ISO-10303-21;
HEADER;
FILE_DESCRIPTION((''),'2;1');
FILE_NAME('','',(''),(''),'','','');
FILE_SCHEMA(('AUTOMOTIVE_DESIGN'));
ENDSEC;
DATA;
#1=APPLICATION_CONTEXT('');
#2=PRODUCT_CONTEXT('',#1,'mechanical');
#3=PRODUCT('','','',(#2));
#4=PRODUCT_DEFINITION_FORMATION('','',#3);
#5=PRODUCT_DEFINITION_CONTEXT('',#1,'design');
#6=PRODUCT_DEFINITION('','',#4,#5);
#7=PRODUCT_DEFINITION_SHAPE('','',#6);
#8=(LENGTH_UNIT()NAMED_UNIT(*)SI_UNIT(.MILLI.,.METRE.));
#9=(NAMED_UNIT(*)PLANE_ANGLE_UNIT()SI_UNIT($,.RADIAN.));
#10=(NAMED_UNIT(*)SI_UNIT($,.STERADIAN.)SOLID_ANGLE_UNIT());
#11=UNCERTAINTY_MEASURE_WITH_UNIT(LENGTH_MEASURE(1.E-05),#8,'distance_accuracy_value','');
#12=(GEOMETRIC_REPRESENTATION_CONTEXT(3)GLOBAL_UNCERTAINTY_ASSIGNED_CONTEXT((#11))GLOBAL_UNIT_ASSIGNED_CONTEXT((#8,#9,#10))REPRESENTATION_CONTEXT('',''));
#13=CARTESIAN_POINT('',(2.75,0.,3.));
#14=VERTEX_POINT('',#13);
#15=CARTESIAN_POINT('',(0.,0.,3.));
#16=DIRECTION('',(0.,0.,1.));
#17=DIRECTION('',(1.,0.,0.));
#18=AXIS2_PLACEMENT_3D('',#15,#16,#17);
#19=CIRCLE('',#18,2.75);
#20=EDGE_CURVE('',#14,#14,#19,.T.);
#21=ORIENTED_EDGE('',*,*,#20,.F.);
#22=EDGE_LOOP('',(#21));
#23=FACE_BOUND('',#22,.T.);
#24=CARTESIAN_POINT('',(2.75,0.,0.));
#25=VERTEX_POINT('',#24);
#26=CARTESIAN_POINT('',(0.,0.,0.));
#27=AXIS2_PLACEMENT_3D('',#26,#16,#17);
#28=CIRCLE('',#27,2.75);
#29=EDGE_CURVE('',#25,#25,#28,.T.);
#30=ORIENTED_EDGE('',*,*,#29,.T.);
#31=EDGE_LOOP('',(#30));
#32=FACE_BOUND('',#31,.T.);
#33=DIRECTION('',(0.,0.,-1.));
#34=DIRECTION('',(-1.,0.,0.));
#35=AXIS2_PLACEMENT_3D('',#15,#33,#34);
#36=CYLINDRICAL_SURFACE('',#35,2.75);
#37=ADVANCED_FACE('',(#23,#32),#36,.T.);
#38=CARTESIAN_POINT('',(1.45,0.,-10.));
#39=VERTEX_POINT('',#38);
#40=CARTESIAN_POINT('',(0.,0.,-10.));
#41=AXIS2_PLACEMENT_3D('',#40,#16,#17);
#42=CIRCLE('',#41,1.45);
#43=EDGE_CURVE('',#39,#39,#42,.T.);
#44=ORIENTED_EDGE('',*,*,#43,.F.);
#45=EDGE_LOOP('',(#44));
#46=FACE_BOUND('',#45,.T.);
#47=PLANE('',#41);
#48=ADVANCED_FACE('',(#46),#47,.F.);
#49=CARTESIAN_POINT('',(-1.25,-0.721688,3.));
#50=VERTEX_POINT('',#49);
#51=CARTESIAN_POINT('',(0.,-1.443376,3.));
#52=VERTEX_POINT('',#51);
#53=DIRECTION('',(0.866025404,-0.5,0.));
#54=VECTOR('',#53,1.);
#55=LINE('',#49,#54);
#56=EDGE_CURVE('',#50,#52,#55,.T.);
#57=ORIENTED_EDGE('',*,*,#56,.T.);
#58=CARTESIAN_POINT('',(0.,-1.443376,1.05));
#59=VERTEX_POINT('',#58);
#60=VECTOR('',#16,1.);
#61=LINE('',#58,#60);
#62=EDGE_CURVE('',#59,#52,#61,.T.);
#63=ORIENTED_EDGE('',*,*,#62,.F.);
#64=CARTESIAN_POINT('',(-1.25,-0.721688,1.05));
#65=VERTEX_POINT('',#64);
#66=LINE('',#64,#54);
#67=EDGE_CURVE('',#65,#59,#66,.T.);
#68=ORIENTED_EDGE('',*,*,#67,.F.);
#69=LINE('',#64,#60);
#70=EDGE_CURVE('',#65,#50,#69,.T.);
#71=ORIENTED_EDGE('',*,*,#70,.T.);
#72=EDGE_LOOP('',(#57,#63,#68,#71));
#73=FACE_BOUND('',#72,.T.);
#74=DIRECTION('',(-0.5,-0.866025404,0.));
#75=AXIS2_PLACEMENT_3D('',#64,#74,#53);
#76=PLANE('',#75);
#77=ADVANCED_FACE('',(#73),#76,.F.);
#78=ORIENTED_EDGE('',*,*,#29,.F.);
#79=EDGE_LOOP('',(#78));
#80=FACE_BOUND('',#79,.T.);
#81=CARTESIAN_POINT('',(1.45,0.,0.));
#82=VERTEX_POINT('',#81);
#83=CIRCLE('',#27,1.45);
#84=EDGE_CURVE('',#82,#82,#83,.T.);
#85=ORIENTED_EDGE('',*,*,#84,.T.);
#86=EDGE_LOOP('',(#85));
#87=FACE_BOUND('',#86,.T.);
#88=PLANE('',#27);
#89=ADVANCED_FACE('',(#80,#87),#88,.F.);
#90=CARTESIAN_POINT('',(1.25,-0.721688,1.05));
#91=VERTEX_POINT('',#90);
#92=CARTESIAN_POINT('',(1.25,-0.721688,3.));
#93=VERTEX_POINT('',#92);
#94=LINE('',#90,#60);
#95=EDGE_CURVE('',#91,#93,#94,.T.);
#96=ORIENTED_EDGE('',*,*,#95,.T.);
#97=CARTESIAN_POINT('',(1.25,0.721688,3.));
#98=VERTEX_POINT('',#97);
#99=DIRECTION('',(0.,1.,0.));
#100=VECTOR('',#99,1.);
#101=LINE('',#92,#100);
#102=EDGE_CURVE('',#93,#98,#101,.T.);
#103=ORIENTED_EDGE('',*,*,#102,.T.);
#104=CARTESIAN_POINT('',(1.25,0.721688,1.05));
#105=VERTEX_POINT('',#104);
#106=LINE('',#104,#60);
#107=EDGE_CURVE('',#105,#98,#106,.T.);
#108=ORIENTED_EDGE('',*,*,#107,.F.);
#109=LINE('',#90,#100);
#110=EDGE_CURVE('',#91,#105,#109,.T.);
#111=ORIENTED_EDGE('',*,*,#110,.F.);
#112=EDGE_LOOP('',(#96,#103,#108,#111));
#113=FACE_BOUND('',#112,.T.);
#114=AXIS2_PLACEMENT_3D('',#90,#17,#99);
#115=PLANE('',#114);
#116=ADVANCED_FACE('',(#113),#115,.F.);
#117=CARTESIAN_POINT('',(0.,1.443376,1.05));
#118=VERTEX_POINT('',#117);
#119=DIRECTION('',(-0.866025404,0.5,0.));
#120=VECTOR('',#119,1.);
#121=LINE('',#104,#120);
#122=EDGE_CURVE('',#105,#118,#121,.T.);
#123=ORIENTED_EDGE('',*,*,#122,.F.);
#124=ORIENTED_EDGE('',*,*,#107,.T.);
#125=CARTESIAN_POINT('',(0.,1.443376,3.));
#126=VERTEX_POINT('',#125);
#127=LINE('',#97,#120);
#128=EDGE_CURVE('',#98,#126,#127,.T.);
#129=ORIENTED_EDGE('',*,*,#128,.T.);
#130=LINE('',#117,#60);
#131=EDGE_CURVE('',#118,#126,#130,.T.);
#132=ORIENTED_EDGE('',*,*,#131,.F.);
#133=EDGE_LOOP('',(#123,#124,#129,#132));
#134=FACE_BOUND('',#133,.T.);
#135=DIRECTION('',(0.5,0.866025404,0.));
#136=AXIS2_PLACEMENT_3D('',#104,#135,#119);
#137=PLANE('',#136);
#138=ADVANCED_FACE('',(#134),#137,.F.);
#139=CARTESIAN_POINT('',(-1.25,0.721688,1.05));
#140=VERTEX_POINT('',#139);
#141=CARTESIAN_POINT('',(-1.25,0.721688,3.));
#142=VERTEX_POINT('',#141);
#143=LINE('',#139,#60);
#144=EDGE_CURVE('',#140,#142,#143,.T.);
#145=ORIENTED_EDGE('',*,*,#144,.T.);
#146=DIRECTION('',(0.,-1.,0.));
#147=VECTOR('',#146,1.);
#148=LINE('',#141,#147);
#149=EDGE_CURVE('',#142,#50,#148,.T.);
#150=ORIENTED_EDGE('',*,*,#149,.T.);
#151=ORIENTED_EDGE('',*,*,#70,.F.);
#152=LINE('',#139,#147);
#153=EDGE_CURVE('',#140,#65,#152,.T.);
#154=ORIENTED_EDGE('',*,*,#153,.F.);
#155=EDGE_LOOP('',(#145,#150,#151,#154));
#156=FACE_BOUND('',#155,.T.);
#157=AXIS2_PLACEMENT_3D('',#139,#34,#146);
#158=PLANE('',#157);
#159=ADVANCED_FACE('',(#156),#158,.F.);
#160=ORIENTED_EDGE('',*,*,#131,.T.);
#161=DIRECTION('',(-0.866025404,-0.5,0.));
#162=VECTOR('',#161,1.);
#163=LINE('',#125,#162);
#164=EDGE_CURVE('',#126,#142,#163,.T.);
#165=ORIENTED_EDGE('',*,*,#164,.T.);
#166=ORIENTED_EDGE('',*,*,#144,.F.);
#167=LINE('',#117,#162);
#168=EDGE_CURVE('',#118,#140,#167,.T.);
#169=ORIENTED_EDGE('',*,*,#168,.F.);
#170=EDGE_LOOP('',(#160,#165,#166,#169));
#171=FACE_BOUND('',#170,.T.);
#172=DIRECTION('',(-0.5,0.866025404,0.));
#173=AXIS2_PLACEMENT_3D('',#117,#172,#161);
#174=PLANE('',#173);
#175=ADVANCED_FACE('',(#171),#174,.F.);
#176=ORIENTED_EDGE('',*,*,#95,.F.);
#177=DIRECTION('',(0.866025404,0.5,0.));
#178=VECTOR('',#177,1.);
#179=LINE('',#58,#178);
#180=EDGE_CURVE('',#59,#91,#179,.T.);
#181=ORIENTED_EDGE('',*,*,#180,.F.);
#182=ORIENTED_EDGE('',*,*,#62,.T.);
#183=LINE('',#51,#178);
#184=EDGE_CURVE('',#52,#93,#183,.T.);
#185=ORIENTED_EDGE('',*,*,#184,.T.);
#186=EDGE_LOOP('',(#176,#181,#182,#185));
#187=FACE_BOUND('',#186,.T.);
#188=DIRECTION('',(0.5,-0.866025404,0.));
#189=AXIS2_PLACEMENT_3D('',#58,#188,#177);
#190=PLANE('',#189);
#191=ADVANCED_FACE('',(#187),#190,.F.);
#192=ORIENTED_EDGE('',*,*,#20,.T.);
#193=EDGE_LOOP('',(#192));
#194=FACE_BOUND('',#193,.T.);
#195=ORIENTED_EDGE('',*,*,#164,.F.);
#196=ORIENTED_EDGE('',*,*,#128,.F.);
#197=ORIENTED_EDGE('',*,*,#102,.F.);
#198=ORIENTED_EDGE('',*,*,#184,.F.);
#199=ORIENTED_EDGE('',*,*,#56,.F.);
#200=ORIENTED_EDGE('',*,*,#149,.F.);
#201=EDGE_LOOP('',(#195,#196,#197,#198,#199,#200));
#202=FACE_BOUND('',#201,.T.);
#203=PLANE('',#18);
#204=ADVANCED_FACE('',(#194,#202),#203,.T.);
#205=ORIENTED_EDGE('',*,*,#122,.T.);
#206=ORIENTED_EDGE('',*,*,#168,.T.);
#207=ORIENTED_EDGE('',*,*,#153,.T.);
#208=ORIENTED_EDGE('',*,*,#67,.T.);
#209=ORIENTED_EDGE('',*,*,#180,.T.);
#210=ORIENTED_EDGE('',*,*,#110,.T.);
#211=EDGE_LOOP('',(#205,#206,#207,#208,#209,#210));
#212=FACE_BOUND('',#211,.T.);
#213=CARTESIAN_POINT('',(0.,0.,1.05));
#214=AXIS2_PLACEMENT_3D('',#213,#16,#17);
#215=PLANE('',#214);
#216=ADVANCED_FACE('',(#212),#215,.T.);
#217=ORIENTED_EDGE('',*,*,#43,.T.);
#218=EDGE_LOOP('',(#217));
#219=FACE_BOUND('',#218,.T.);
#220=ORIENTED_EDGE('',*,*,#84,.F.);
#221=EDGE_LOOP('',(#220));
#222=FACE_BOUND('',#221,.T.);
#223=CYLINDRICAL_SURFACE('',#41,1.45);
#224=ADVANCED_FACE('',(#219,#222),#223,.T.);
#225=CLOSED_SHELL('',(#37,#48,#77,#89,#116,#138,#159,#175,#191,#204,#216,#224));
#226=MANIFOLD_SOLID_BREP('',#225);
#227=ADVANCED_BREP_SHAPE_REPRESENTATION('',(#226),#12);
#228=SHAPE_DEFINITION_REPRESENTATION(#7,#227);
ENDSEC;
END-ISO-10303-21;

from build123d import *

# Parameters (mm, degrees)
SKETCH_1_R                     = 1.45
SHANK_THREADS_SIMPLIFIED_DEPTH = 10
SKETCH_2_R                     = 2.75
SOCKET_HEAD_DEPTH              = 3
HEX_SOCKET_DEPTH               = 1.95


with BuildPart() as part:
    # 草图1 → Shank_threads_simplified (new body)
    with BuildSketch(Plane.XY):
        Circle(SKETCH_1_R)
    extrude(amount=-SHANK_THREADS_SIMPLIFIED_DEPTH)

    # 草图2 → Socket_head (add)
    with BuildSketch(Plane.XY):
        Circle(SKETCH_2_R)
    extrude(amount=SOCKET_HEAD_DEPTH)

    # 草图3 → Hex_socket (cut)
    with BuildSketch(Plane.XY.offset(3)):
        Polygon((1.25, 0.721687836), (0, 1.443375673), (-1.25, 0.721687836), (-1.25, -0.721687836), (0, -1.443375673), (1.25, -0.721687836), align=None)
    extrude(amount=-HEX_SOCKET_DEPTH, mode=Mode.SUBTRACT)


solid = part.part
